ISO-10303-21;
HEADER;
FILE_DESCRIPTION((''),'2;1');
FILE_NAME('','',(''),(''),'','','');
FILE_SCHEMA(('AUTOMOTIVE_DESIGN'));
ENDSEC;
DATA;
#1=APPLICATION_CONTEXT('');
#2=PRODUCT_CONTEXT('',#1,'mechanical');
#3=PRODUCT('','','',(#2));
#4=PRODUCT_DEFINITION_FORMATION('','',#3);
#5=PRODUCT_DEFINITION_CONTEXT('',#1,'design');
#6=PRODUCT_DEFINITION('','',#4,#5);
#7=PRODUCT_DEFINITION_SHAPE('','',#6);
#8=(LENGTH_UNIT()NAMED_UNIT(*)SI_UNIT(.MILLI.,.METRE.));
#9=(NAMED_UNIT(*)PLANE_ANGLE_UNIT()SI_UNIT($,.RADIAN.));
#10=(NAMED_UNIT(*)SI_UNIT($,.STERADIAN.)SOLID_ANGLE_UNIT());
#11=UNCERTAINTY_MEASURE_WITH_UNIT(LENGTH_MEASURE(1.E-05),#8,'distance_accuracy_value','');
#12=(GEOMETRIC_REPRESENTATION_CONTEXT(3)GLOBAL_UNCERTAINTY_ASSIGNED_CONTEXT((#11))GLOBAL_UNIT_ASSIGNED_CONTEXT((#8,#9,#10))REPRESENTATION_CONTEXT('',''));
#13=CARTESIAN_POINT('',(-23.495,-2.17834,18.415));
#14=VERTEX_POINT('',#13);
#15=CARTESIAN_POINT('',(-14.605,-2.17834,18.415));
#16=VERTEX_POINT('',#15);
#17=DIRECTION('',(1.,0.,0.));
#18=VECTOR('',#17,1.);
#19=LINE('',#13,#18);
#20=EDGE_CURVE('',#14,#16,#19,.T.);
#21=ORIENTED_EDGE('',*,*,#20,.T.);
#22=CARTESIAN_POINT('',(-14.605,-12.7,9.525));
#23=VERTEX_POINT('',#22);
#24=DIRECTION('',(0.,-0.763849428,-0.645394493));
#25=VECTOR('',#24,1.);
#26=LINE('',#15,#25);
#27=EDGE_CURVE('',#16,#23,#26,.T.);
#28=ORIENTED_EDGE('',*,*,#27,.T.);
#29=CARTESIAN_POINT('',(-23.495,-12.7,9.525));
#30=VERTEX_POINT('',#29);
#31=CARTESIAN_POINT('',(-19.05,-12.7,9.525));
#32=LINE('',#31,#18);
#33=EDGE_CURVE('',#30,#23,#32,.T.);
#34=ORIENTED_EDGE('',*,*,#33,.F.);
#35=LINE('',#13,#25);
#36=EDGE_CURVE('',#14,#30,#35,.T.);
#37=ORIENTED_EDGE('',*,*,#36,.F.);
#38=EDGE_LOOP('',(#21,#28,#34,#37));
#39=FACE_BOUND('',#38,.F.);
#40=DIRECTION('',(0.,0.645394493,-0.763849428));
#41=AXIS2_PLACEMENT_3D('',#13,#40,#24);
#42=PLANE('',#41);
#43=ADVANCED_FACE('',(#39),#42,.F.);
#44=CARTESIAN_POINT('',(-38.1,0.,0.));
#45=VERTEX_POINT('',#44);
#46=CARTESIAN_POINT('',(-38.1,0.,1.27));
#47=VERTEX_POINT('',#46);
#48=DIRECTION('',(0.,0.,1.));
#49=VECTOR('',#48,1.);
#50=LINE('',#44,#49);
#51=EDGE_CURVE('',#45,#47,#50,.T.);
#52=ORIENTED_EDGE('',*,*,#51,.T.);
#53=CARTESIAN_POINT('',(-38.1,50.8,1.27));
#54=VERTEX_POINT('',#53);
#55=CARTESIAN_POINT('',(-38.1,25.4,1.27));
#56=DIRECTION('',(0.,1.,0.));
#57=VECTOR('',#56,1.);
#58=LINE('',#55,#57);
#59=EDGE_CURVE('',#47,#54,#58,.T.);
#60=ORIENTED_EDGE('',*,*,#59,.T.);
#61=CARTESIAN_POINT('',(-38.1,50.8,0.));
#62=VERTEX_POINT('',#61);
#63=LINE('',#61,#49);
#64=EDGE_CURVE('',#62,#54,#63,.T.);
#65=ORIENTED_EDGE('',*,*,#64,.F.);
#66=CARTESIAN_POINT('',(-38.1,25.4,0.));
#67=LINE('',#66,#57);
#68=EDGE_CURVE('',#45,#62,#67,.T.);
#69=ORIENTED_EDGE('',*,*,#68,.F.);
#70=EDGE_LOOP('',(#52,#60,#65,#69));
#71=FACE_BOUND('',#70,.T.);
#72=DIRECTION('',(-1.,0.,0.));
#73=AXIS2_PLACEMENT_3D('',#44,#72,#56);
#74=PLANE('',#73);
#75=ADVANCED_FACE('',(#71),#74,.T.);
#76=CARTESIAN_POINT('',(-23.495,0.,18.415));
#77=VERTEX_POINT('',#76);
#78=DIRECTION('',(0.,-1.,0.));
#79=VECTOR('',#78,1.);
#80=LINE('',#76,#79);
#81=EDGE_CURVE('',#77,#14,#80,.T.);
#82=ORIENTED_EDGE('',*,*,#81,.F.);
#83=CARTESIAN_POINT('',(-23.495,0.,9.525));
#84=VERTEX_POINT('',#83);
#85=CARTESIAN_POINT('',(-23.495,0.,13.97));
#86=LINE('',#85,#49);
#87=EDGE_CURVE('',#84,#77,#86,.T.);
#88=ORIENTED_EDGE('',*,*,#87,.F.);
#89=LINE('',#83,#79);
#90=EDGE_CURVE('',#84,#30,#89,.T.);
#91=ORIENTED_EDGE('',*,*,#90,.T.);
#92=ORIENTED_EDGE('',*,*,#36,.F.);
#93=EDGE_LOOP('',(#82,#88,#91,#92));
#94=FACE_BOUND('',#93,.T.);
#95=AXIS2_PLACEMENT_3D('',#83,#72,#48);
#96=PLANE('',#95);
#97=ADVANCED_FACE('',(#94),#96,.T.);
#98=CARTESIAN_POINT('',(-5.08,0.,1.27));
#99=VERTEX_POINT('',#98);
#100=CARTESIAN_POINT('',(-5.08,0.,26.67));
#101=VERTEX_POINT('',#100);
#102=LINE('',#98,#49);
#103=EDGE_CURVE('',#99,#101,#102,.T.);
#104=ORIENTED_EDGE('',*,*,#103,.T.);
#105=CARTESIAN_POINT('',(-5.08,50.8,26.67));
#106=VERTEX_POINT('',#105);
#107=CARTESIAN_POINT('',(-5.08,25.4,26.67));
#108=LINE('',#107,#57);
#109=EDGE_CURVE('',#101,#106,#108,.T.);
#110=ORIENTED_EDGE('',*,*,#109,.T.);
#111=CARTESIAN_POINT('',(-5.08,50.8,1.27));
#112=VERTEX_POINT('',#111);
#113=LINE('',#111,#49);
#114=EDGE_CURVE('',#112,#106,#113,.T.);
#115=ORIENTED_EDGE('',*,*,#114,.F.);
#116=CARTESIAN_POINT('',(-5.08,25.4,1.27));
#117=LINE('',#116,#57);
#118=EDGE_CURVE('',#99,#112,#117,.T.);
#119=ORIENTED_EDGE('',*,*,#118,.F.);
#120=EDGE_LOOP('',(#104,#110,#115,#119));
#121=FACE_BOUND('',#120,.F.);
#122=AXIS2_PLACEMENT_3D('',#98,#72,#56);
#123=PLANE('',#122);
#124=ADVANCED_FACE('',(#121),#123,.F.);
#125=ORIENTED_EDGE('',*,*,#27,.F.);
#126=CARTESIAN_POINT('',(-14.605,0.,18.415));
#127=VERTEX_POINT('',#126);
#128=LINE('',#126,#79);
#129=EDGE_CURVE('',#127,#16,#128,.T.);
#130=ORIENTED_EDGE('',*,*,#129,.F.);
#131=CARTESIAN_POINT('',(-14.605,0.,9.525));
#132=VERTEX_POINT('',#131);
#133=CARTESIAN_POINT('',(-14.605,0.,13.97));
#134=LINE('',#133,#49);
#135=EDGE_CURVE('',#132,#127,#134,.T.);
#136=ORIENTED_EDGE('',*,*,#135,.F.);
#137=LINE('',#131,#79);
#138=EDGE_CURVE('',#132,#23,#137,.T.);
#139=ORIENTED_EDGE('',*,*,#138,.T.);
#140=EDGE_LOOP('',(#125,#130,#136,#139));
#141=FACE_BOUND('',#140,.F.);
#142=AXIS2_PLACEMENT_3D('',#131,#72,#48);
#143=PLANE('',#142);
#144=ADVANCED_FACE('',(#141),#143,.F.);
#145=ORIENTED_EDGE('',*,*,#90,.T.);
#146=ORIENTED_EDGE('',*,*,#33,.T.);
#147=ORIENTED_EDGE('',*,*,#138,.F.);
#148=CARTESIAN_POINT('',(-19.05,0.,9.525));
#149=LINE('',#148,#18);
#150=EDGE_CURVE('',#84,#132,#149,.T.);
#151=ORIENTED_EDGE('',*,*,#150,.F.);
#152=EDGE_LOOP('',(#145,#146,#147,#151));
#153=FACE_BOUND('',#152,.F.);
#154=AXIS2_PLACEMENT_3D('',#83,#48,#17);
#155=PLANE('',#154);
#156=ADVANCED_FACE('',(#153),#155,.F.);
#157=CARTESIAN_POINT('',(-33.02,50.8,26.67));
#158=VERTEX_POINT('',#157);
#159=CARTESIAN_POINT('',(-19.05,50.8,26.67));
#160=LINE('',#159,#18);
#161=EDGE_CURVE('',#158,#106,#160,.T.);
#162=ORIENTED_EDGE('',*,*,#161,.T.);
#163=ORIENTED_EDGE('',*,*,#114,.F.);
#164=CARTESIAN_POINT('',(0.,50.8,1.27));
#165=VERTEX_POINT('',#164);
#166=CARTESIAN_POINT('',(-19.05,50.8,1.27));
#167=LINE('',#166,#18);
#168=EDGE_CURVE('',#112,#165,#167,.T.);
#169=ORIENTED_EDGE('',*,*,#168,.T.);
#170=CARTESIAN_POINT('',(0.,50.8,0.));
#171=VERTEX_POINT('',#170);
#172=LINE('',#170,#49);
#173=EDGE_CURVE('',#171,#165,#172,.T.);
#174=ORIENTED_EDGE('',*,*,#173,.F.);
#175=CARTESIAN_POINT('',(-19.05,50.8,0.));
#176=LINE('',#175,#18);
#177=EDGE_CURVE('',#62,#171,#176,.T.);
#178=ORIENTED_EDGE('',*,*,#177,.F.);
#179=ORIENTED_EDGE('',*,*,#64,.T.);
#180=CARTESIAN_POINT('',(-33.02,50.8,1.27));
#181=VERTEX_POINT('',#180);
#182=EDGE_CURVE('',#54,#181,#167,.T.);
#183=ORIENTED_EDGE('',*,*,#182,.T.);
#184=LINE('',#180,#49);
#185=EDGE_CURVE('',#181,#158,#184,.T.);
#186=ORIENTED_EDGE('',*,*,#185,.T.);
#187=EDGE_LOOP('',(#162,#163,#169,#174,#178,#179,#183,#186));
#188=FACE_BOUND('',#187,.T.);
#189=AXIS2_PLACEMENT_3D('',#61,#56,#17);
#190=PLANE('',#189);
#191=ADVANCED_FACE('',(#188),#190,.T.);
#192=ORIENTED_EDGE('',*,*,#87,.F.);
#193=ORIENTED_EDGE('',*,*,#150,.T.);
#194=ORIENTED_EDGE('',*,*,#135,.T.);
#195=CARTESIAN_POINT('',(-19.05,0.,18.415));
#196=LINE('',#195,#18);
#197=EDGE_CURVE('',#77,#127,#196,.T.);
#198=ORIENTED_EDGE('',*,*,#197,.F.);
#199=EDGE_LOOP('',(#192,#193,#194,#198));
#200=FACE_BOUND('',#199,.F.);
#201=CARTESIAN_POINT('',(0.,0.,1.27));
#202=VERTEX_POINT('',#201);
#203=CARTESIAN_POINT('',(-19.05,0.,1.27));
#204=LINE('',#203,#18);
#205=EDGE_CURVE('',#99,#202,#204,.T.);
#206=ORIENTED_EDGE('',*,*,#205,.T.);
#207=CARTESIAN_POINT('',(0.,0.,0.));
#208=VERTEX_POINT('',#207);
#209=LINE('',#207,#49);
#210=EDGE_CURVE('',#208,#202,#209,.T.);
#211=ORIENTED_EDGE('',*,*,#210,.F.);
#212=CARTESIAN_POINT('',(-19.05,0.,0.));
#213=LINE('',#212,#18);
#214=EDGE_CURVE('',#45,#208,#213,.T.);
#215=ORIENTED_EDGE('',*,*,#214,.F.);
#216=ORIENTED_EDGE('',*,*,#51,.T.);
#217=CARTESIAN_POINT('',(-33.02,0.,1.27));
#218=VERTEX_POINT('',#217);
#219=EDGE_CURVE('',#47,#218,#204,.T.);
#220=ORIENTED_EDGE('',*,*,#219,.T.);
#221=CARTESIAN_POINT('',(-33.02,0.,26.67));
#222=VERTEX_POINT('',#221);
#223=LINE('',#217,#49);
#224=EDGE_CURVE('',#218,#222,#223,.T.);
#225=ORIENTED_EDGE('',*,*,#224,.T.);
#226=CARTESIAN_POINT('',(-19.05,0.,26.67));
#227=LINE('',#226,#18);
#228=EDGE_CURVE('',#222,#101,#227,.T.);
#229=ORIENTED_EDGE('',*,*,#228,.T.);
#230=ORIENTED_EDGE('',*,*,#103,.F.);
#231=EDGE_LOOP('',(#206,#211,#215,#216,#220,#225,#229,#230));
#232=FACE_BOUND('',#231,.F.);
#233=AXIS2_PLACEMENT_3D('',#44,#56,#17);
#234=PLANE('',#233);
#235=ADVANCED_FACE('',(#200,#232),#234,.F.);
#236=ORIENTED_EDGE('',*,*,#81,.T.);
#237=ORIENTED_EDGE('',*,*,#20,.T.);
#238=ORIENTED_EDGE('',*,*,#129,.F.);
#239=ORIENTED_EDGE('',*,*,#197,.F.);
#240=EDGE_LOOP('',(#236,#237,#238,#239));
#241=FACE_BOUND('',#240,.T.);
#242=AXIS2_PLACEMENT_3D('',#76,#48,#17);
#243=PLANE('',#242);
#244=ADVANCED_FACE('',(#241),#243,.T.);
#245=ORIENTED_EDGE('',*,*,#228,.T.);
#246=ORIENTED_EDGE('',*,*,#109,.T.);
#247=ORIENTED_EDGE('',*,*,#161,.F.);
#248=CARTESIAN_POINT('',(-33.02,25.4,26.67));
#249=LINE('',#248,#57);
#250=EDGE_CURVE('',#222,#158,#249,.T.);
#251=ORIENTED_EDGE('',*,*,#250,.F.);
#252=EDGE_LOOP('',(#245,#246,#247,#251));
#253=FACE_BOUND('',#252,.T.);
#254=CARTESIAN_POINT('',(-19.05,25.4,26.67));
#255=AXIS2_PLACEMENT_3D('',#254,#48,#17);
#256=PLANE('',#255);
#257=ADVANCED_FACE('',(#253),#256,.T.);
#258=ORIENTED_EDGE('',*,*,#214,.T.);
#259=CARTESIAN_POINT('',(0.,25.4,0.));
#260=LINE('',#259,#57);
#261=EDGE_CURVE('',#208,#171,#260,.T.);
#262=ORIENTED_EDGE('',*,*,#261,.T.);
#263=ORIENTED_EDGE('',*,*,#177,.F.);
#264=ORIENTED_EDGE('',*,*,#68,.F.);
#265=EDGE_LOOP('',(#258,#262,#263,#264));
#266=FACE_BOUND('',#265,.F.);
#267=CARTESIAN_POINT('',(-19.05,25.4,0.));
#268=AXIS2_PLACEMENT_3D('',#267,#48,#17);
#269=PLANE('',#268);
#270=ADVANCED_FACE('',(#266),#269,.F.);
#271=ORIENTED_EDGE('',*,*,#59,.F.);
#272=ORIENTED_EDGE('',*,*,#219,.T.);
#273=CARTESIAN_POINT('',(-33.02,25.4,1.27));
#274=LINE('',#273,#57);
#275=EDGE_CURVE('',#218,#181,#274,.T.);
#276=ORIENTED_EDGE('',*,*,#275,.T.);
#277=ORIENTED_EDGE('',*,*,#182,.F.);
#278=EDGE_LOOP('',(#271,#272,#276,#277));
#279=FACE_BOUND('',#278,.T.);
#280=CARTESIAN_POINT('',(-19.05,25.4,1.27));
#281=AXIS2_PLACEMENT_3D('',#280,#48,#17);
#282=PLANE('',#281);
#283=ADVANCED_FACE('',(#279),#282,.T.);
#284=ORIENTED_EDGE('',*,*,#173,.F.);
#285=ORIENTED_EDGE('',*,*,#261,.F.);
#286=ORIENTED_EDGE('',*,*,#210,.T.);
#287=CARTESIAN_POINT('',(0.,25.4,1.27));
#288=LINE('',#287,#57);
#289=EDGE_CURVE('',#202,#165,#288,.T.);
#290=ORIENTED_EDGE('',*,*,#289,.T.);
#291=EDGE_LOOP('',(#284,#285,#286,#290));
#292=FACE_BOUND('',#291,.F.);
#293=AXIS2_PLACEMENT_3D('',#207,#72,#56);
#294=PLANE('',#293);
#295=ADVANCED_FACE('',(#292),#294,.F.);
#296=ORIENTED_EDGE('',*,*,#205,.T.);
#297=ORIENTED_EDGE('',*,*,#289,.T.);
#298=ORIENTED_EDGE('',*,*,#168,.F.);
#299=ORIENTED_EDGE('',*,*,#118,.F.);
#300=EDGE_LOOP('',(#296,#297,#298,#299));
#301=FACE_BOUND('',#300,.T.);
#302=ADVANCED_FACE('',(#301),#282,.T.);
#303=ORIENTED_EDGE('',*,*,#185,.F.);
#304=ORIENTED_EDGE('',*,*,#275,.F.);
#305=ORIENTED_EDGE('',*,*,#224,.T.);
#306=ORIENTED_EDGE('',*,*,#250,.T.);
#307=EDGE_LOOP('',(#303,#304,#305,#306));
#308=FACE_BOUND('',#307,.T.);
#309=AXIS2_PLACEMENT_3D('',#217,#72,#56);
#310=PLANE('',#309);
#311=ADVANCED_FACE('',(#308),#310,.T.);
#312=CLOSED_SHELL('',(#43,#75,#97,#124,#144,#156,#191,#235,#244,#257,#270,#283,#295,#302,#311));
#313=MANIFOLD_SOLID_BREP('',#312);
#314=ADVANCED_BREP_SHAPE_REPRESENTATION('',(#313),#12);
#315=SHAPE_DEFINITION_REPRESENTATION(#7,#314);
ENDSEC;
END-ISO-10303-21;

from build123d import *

# Parameters (mm, degrees)
F0_W     = 38.1
F0_H     = 50.8
F1_DEPTH = 1.27
F2_W     = 27.94
F2_H     = 50.8
F3_DEPTH = 25.4
F4_W     = 8.89
F4_H     = 8.89
F5_DEPTH = 12.7
F7_DEPTH = 8.89


with BuildPart() as f1:
    # F0 (on Top) → F1 (new body)
    with BuildSketch(Plane.XY):
        with Locations((-19.05, 25.4)):
            Rectangle(F0_W, F0_H)
    extrude(amount=F1_DEPTH)

    # F2 (on face) → F3 (join)
    with BuildSketch(Plane.XY.offset(1.27)):
        with Locations((-19.05, 25.4)):
            Rectangle(F2_W, F2_H)
    extrude(amount=F3_DEPTH)

    # F4 (on face) → F5 (join)
    with BuildSketch(Plane.XZ):
        with Locations((-19.05, 13.97)):
            Rectangle(F4_W, F4_H)
    extrude(amount=F5_DEPTH)

    # F6 (on face) → F7 (cut, through all)
    with BuildSketch(Plane(origin=(-23.495, 0, 0), x_dir=(0, -1, 0), z_dir=(-1, 0, 0))):
        Polygon((12.7, 18.415), (2.17834, 18.415), (12.7, 9.525), align=None)
    extrude(amount=-F7_DEPTH, mode=Mode.SUBTRACT)


solid = f1.part
